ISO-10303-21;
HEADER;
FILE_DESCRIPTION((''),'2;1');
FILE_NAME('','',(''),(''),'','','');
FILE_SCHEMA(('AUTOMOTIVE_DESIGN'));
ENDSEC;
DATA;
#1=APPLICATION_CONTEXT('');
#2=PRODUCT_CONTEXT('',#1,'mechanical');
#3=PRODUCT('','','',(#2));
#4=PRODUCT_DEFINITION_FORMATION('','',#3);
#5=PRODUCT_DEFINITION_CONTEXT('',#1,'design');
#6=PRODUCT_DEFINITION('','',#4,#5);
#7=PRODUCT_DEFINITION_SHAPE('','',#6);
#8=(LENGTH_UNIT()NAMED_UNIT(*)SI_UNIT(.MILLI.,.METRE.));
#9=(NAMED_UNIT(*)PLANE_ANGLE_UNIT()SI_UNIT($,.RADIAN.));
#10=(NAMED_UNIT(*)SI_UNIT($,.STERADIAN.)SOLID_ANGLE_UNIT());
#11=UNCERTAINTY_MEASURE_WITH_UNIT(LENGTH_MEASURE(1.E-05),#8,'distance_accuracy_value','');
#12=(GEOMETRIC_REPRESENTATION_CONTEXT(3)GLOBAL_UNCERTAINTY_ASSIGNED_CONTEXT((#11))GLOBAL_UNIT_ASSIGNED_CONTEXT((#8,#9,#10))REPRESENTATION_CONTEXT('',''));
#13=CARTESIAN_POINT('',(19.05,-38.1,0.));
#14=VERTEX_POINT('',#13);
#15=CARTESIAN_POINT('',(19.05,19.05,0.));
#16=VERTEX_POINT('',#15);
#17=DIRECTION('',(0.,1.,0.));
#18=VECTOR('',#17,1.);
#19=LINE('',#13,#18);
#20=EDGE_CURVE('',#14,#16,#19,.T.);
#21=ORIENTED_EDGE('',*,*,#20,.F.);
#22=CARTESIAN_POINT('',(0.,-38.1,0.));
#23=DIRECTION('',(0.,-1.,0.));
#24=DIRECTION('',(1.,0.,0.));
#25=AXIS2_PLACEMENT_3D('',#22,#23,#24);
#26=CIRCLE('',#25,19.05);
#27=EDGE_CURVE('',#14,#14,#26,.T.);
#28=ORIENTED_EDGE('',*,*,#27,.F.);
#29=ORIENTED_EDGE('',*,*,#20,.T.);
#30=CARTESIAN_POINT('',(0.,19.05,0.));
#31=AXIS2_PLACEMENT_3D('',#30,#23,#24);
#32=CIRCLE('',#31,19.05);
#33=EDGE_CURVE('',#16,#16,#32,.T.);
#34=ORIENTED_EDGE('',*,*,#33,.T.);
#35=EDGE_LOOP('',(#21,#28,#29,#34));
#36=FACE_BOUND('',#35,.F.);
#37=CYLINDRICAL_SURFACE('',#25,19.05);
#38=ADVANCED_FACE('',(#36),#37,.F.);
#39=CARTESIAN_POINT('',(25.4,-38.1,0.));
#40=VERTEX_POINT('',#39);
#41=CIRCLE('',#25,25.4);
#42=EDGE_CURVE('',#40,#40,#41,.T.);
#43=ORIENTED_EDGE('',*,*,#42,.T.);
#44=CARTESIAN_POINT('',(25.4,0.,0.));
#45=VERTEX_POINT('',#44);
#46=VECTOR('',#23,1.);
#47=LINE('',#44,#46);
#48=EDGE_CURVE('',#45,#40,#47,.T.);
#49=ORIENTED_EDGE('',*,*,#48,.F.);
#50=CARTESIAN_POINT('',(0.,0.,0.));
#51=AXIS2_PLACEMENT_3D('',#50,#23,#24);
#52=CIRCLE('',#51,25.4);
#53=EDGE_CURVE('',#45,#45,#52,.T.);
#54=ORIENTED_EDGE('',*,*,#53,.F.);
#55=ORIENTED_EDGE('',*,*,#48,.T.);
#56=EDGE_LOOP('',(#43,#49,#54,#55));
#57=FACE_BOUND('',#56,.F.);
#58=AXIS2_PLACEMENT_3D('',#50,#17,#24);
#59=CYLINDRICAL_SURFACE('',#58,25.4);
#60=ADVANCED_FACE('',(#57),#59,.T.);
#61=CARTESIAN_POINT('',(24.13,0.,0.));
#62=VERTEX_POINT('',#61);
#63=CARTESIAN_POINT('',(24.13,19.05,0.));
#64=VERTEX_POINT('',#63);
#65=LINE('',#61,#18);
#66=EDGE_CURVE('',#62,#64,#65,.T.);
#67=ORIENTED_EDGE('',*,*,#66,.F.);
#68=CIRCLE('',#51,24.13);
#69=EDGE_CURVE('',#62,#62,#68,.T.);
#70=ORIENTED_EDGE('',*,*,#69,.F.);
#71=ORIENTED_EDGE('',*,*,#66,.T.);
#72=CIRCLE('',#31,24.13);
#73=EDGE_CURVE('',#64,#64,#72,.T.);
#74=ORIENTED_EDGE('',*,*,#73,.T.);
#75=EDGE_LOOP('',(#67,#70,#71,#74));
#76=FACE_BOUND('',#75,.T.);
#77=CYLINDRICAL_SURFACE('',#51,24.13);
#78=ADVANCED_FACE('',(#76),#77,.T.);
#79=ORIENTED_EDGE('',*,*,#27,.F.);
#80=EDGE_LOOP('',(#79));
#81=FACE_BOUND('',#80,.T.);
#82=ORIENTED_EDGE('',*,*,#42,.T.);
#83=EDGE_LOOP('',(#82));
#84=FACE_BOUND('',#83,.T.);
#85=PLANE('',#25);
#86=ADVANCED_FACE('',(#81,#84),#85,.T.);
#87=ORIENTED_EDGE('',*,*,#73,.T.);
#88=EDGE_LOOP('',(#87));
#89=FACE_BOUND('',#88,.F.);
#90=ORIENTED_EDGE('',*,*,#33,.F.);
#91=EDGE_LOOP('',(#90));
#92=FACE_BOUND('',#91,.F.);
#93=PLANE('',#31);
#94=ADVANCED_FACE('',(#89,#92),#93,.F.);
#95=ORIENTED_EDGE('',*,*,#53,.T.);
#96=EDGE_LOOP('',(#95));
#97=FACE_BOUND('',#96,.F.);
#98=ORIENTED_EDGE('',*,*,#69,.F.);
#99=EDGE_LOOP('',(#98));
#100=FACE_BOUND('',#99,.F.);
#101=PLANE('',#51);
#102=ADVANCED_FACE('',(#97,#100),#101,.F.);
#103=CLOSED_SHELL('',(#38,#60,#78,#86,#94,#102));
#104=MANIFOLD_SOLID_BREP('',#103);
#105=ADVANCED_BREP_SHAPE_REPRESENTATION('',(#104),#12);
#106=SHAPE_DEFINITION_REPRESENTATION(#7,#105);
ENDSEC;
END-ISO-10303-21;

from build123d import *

# Parameters (mm, degrees)
F0_R     = 24.13
F1_DEPTH = 19.05
F2_R     = 25.4
F3_DEPTH = 38.1
F4_R     = 19.05
F5_DEPTH = 57.151


with BuildPart() as f1:
    # F0 (on Front) → F1 (new body)
    with BuildSketch(Plane.XZ):
        Circle(F0_R)
    extrude(amount=-F1_DEPTH)

    # F2 (on face) → F3 (join)
    with BuildSketch(Plane.XZ):
        Circle(F2_R)
    extrude(amount=F3_DEPTH)

    # F4 (on face) → F5 (cut, through all)
    with BuildSketch(Plane.XZ.offset(38.1)):
        Circle(F4_R)
    extrude(amount=-F5_DEPTH, mode=Mode.SUBTRACT)


solid = f1.part
